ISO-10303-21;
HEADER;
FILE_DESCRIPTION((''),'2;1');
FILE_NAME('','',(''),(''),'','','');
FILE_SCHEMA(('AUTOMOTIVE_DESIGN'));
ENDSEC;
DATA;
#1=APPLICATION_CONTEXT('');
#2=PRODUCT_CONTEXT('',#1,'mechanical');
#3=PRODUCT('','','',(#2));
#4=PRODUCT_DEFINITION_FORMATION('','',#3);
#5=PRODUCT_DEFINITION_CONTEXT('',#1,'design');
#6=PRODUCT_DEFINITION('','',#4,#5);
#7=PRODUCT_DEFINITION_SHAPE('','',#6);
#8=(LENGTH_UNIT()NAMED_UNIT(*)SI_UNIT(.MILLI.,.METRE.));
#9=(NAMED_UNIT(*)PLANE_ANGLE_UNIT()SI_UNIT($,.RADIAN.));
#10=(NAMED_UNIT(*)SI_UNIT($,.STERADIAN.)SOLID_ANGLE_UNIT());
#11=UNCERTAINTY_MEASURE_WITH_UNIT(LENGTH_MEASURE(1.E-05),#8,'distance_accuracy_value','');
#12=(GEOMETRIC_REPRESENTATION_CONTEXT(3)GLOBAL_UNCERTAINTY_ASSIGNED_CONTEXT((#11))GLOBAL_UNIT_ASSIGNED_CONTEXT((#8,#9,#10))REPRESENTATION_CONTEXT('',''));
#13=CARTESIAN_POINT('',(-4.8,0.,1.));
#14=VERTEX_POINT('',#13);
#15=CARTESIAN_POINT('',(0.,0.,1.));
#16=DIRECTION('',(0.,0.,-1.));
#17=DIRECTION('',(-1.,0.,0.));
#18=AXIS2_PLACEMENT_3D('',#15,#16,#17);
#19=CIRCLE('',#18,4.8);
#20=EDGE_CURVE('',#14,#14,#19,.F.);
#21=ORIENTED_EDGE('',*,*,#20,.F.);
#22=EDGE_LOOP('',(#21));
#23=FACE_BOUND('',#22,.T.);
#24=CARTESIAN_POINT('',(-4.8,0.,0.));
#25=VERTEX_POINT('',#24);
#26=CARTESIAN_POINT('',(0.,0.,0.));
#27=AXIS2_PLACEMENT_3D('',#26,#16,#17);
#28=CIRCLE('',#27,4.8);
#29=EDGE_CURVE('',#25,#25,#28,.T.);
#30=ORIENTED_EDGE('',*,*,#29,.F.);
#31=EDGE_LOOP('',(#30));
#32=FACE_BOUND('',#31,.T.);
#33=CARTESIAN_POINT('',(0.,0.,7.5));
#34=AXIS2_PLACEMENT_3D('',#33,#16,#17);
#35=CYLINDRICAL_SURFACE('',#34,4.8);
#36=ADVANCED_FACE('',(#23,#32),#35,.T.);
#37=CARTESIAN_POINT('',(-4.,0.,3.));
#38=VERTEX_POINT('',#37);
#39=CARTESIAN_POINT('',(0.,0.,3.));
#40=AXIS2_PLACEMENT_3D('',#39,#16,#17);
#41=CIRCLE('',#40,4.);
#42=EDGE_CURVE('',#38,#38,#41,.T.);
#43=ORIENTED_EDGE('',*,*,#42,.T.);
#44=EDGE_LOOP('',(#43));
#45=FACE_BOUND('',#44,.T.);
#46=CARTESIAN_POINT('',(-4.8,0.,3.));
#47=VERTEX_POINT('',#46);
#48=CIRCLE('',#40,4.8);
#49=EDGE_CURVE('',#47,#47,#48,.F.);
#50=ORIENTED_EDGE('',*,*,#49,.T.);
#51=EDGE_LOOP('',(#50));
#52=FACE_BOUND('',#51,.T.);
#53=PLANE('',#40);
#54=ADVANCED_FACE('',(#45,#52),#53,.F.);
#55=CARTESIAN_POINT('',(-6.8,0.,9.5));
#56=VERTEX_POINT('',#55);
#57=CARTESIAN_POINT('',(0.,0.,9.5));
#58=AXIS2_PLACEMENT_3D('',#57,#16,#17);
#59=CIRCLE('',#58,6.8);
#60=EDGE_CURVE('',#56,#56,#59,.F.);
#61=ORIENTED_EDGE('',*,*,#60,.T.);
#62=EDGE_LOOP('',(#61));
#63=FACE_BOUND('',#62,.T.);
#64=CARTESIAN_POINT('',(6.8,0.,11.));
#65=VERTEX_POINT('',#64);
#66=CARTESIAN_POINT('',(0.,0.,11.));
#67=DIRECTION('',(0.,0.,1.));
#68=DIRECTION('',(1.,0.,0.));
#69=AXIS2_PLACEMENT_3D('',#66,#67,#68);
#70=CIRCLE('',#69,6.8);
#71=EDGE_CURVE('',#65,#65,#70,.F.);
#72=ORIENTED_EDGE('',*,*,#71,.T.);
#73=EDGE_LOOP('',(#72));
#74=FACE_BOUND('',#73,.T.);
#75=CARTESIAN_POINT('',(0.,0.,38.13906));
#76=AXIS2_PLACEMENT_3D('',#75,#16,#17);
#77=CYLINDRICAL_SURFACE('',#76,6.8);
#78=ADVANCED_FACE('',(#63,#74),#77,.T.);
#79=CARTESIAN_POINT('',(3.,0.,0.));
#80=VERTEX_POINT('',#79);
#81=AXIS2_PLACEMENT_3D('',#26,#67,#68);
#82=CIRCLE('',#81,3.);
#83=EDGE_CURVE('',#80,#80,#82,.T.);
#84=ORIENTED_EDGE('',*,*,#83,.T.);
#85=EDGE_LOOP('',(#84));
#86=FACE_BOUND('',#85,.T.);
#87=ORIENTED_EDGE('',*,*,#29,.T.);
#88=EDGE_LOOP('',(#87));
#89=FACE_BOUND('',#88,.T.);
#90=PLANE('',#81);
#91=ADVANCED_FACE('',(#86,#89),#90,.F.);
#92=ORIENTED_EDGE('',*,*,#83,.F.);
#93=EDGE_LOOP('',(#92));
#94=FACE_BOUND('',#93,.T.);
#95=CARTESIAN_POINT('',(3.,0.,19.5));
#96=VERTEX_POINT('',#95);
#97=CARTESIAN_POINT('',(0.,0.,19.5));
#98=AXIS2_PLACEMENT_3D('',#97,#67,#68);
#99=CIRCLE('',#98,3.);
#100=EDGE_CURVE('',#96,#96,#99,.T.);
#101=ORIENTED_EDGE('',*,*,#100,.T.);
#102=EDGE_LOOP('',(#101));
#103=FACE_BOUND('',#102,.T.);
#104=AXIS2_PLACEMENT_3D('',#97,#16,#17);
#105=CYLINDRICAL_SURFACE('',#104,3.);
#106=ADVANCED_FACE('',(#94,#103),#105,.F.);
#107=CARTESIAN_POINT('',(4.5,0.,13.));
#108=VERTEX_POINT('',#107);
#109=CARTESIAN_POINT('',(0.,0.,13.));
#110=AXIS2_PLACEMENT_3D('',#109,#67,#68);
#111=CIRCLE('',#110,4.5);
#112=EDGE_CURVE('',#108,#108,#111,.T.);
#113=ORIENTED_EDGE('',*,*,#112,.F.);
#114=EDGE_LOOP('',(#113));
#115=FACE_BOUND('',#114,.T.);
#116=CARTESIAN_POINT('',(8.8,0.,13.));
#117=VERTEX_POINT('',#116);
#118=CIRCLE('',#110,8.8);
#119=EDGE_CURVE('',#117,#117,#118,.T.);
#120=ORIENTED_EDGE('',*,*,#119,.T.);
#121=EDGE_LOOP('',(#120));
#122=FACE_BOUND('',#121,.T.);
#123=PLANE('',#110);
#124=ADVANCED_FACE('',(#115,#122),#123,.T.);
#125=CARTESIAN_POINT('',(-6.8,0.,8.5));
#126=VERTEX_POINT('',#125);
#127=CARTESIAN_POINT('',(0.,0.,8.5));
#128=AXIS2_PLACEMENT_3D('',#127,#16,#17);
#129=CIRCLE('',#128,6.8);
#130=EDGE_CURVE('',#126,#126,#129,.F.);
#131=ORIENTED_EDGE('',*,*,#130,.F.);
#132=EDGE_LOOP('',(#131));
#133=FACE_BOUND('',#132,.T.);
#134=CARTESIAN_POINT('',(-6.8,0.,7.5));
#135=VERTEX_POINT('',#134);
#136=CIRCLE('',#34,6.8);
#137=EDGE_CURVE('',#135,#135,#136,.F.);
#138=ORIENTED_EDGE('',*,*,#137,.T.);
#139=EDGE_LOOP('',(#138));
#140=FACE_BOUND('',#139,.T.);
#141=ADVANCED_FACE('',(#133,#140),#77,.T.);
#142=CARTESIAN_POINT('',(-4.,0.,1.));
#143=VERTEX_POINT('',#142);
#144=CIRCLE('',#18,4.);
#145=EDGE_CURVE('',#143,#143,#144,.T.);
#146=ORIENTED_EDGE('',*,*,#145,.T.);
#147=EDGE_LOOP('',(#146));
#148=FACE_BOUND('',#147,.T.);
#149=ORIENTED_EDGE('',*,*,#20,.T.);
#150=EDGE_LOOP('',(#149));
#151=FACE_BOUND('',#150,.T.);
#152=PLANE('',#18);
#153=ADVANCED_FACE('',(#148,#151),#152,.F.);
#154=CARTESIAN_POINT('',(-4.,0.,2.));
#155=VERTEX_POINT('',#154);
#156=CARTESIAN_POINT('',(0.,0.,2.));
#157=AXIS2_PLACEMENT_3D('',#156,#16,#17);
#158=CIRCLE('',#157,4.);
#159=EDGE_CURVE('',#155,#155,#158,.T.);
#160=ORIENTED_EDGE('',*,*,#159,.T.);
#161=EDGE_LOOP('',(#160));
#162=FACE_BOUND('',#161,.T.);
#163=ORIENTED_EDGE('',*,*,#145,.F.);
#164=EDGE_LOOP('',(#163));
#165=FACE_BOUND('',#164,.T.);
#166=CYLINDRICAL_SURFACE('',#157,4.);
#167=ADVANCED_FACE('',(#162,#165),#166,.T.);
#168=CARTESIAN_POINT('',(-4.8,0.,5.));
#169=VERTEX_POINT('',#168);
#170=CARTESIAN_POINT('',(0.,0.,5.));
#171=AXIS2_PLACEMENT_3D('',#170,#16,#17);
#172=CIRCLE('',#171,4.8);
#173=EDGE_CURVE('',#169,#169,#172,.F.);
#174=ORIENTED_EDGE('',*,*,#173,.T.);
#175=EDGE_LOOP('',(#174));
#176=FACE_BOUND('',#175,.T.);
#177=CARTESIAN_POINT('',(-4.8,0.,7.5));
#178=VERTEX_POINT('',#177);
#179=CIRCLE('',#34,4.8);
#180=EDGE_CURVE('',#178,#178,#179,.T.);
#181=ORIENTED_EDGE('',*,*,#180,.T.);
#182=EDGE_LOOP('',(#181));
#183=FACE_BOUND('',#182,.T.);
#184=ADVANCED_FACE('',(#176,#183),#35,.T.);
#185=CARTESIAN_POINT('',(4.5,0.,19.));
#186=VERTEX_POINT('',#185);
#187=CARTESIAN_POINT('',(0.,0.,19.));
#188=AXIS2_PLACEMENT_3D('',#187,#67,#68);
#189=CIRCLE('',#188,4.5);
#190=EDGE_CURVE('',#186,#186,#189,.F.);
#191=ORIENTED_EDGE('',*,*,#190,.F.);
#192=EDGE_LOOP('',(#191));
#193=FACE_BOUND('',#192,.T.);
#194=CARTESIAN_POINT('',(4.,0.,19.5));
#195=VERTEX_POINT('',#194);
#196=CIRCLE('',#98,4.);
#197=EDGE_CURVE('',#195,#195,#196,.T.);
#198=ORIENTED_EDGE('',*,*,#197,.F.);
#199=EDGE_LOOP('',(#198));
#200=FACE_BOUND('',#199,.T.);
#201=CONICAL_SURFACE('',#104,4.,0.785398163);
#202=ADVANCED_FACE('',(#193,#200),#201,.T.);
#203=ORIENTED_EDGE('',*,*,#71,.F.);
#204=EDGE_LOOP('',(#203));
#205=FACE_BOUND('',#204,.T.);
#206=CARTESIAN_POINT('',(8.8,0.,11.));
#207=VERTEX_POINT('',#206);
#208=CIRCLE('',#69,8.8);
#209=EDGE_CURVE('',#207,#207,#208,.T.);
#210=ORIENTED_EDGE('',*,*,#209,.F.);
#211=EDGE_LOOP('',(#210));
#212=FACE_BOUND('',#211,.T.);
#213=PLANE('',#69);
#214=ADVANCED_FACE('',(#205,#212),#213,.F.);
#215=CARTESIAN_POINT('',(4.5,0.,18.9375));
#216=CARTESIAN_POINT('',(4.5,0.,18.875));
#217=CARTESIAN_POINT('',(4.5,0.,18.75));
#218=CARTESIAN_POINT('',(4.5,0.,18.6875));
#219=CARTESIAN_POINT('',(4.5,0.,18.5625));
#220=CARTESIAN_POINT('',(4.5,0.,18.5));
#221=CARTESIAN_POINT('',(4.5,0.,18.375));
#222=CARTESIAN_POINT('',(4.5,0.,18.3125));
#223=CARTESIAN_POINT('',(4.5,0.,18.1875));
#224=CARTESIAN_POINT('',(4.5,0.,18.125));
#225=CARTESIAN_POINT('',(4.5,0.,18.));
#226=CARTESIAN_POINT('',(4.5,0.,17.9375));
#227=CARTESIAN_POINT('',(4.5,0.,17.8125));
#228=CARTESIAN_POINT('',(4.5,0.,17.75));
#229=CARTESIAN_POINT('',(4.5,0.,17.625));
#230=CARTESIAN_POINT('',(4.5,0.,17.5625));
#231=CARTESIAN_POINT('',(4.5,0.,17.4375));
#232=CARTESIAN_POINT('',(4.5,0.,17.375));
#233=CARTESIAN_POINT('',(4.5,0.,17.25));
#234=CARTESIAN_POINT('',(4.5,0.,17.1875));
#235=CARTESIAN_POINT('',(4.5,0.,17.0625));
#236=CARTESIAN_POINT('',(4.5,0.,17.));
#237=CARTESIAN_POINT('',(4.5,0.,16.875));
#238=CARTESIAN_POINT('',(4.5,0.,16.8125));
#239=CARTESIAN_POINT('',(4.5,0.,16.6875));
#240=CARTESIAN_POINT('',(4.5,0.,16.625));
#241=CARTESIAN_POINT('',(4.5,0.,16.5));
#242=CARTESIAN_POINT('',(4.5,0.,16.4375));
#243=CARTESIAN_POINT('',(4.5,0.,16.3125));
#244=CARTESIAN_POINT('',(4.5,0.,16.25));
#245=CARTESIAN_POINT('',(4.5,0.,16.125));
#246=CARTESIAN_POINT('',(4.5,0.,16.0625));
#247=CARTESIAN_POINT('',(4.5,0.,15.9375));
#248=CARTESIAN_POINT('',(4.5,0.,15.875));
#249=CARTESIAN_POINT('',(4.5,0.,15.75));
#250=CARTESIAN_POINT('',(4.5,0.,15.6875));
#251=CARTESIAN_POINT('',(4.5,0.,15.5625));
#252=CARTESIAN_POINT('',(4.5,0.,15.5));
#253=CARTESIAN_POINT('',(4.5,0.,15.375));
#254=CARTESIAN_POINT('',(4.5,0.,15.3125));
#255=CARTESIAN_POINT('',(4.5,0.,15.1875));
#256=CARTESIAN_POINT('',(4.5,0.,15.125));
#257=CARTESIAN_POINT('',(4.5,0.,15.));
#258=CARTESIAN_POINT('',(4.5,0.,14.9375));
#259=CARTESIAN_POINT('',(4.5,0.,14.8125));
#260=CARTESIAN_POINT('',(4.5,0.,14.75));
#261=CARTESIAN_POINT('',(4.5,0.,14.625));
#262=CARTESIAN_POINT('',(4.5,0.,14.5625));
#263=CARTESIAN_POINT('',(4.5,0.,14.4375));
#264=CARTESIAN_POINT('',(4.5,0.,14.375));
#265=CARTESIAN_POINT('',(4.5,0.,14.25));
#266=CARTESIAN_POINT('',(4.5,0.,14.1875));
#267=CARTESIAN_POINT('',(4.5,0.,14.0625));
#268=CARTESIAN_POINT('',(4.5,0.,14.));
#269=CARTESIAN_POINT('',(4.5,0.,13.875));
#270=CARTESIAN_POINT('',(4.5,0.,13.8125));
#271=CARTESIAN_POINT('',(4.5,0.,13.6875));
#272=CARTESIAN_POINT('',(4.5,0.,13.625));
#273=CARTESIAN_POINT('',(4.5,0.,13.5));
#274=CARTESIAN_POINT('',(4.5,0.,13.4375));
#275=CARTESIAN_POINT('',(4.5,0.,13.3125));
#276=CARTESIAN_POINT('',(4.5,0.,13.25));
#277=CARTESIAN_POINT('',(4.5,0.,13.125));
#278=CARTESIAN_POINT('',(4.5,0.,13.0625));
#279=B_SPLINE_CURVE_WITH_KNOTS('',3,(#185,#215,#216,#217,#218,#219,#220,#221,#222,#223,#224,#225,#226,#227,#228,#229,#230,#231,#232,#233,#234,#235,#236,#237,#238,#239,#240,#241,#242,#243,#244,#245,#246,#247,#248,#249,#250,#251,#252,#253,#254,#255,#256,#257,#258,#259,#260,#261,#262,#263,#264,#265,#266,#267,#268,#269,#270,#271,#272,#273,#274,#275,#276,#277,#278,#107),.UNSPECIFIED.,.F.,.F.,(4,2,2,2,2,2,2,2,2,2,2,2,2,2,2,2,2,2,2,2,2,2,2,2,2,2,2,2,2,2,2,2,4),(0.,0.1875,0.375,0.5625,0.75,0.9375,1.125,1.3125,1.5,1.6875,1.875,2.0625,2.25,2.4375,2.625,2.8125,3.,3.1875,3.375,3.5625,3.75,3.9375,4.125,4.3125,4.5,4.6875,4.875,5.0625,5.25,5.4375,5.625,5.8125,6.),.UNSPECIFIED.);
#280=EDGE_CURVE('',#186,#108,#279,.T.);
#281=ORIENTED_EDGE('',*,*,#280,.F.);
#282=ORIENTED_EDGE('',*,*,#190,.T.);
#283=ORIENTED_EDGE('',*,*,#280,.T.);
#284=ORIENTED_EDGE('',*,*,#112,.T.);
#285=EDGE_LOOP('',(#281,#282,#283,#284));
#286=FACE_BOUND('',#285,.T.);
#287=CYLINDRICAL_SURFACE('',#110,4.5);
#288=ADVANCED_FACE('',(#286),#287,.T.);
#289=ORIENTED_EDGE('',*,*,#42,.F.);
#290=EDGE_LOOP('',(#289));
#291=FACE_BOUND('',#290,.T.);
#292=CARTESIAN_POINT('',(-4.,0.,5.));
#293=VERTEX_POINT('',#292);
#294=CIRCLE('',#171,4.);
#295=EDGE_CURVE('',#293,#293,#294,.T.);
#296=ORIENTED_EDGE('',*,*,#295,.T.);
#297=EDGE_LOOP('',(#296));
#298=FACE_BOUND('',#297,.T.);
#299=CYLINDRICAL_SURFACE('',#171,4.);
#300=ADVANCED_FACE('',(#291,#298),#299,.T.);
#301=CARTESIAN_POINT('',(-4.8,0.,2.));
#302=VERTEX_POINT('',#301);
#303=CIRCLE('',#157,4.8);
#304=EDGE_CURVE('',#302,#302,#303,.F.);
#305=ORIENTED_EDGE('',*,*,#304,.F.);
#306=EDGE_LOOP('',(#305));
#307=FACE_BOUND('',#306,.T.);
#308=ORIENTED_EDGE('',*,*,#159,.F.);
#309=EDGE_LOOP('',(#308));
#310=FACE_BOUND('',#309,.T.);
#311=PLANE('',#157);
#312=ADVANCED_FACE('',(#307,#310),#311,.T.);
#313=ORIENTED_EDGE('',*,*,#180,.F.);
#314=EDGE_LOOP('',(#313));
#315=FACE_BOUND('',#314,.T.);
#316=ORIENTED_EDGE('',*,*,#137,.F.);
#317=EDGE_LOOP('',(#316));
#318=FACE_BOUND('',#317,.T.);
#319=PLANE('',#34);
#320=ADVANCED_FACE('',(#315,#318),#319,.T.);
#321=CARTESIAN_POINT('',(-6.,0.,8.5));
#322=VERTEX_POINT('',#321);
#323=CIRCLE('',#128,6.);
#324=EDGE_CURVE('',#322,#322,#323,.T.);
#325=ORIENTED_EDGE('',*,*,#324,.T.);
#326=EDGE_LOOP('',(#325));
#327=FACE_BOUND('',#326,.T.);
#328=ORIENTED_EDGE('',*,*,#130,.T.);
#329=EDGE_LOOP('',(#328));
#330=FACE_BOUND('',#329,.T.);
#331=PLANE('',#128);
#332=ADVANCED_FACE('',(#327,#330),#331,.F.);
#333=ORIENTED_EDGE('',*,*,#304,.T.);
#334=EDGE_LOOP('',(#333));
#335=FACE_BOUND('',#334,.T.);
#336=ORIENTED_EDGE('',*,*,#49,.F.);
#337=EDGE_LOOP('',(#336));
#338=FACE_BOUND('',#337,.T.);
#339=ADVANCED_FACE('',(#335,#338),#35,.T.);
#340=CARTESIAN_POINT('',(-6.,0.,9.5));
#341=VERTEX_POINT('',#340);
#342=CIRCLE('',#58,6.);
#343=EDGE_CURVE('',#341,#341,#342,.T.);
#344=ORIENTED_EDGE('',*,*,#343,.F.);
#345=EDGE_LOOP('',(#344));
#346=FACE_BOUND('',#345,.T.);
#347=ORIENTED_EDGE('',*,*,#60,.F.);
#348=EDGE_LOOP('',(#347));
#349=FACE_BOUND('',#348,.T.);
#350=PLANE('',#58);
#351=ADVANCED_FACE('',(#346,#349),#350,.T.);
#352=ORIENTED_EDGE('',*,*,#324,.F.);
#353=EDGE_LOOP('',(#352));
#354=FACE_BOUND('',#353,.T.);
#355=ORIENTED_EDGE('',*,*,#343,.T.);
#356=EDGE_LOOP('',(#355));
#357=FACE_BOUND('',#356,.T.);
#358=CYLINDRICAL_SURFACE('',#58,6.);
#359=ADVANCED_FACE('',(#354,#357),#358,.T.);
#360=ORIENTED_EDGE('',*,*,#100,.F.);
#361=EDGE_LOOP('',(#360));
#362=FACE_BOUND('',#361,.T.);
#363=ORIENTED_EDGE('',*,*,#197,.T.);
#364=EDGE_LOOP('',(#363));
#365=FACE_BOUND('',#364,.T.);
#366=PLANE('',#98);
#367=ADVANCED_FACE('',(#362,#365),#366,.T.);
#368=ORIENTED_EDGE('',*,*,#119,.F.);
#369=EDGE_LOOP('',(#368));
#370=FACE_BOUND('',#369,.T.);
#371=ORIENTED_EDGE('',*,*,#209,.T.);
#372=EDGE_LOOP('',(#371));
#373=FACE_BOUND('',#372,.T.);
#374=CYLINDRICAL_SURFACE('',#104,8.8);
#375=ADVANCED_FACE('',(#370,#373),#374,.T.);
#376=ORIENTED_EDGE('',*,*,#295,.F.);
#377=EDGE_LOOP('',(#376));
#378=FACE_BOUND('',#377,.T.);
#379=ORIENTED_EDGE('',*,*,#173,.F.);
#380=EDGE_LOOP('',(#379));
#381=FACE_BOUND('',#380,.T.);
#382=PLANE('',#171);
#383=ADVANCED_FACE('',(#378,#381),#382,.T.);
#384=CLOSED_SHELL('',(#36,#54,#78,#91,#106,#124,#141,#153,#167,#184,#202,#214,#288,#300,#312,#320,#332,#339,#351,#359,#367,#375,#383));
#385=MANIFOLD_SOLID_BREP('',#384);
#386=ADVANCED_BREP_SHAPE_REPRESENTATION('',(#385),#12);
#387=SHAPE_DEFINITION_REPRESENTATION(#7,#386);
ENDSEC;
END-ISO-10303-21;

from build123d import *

# Parameters (mm, degrees)
SKETCH1_R           = 8.8
SKETCH1_R_2         = 3
BOSS_EXTRUDE1_DEPTH = 19.5
SKETCH2_OUTSIDE_W   = 25.924
SKETCH2_OUTSIDE_H   = 25.924
SKETCH2_OUTSIDE_R   = 4.5
CUT_EXTRUDE1_DEPTH  = 6.5
SKETCH3_OUTSIDE_W   = 25.924
SKETCH3_OUTSIDE_H   = 25.924
SKETCH3_OUTSIDE_R   = 6.8
CUT_EXTRUDE2_DEPTH  = 11
SKETCH5_OUTSIDE_W   = 25.924
SKETCH5_OUTSIDE_H   = 25.924
SKETCH5_OUTSIDE_R   = 4.8
CUT_EXTRUDE3_DEPTH  = 7.5
CUT_EXTRUDE4_START  = -1
SKETCH4_OUTSIDE_W   = 25.924
SKETCH4_OUTSIDE_H   = 25.924
SKETCH4_OUTSIDE_R   = 6
CUT_EXTRUDE4_DEPTH  = 1
CUT_EXTRUDE5_START  = -1
SKETCH6_OUTSIDE_W   = 25.924
SKETCH6_OUTSIDE_H   = 25.924
SKETCH6_OUTSIDE_R   = 4
CUT_EXTRUDE5_DEPTH  = 1
CUT_EXTRUDE6_START  = -3
SKETCH6_2_OUTSIDE_W = 25.924
SKETCH6_2_OUTSIDE_H = 25.924
SKETCH6_2_OUTSIDE_R = 4
CUT_EXTRUDE6_DEPTH  = 2
CHAMFER1_SIZE       = 0.5


with BuildPart() as part:
    # Sketch1 → Boss-Extrude1 (new body)
    with BuildSketch(Plane.XY):
        Circle(SKETCH1_R)
        Circle(SKETCH1_R_2, mode=Mode.SUBTRACT)
    extrude(amount=BOSS_EXTRUDE1_DEPTH)

    # Sketch2 outside → Cut-Extrude1 (cut)
    with BuildSketch(Plane.XY.offset(19.5)):
        Rectangle(SKETCH2_OUTSIDE_W, SKETCH2_OUTSIDE_H)
        Circle(SKETCH2_OUTSIDE_R, mode=Mode.SUBTRACT)
    extrude(amount=-CUT_EXTRUDE1_DEPTH, mode=Mode.SUBTRACT)

    # Sketch3 outside → Cut-Extrude2 (cut)
    with BuildSketch(Plane(origin=(0, 0, 0), x_dir=(-1, 0, 0), z_dir=(0, 0, -1))):
        Rectangle(SKETCH3_OUTSIDE_W, SKETCH3_OUTSIDE_H)
        Circle(SKETCH3_OUTSIDE_R, mode=Mode.SUBTRACT)
    extrude(amount=-CUT_EXTRUDE2_DEPTH, mode=Mode.SUBTRACT)

    # Sketch5 outside → Cut-Extrude3 (cut)
    with BuildSketch(Plane(origin=(0, 0, 0), x_dir=(-1, 0, 0), z_dir=(0, 0, -1))):
        Rectangle(SKETCH5_OUTSIDE_W, SKETCH5_OUTSIDE_H)
        Circle(SKETCH5_OUTSIDE_R, mode=Mode.SUBTRACT)
    extrude(amount=-CUT_EXTRUDE3_DEPTH, mode=Mode.SUBTRACT)

    # Sketch4 outside → Cut-Extrude4 (cut)
    with BuildSketch(Plane(origin=(0, 0, 7.5), x_dir=(-1, 0, 0), z_dir=(0, 0, -1)).offset(CUT_EXTRUDE4_START)):
        Rectangle(SKETCH4_OUTSIDE_W, SKETCH4_OUTSIDE_H)
        Circle(SKETCH4_OUTSIDE_R, mode=Mode.SUBTRACT)
    extrude(amount=-CUT_EXTRUDE4_DEPTH, mode=Mode.SUBTRACT)

    # Sketch6 outside → Cut-Extrude5 (cut)
    with BuildSketch(Plane(origin=(0, 0, 0), x_dir=(-1, 0, 0), z_dir=(0, 0, -1)).offset(CUT_EXTRUDE5_START)):
        Rectangle(SKETCH6_OUTSIDE_W, SKETCH6_OUTSIDE_H)
        Circle(SKETCH6_OUTSIDE_R, mode=Mode.SUBTRACT)
    extrude(amount=-CUT_EXTRUDE5_DEPTH, mode=Mode.SUBTRACT)

    # Sketch6<2> outside → Cut-Extrude6 (cut)
    with BuildSketch(Plane(origin=(0, 0, 0), x_dir=(-1, 0, 0), z_dir=(0, 0, -1)).offset(CUT_EXTRUDE6_START)):
        Rectangle(SKETCH6_2_OUTSIDE_W, SKETCH6_2_OUTSIDE_H)
        Circle(SKETCH6_2_OUTSIDE_R, mode=Mode.SUBTRACT)
    extrude(amount=-CUT_EXTRUDE6_DEPTH, mode=Mode.SUBTRACT)

    # Chamfer1
    chamfer1_edges = [part.edges().sort_by_distance(p)[0] for p in [
        (-4.5, 0, 19.5),
    ]]
    chamfer(chamfer1_edges, length=CHAMFER1_SIZE)


solid = part.part
